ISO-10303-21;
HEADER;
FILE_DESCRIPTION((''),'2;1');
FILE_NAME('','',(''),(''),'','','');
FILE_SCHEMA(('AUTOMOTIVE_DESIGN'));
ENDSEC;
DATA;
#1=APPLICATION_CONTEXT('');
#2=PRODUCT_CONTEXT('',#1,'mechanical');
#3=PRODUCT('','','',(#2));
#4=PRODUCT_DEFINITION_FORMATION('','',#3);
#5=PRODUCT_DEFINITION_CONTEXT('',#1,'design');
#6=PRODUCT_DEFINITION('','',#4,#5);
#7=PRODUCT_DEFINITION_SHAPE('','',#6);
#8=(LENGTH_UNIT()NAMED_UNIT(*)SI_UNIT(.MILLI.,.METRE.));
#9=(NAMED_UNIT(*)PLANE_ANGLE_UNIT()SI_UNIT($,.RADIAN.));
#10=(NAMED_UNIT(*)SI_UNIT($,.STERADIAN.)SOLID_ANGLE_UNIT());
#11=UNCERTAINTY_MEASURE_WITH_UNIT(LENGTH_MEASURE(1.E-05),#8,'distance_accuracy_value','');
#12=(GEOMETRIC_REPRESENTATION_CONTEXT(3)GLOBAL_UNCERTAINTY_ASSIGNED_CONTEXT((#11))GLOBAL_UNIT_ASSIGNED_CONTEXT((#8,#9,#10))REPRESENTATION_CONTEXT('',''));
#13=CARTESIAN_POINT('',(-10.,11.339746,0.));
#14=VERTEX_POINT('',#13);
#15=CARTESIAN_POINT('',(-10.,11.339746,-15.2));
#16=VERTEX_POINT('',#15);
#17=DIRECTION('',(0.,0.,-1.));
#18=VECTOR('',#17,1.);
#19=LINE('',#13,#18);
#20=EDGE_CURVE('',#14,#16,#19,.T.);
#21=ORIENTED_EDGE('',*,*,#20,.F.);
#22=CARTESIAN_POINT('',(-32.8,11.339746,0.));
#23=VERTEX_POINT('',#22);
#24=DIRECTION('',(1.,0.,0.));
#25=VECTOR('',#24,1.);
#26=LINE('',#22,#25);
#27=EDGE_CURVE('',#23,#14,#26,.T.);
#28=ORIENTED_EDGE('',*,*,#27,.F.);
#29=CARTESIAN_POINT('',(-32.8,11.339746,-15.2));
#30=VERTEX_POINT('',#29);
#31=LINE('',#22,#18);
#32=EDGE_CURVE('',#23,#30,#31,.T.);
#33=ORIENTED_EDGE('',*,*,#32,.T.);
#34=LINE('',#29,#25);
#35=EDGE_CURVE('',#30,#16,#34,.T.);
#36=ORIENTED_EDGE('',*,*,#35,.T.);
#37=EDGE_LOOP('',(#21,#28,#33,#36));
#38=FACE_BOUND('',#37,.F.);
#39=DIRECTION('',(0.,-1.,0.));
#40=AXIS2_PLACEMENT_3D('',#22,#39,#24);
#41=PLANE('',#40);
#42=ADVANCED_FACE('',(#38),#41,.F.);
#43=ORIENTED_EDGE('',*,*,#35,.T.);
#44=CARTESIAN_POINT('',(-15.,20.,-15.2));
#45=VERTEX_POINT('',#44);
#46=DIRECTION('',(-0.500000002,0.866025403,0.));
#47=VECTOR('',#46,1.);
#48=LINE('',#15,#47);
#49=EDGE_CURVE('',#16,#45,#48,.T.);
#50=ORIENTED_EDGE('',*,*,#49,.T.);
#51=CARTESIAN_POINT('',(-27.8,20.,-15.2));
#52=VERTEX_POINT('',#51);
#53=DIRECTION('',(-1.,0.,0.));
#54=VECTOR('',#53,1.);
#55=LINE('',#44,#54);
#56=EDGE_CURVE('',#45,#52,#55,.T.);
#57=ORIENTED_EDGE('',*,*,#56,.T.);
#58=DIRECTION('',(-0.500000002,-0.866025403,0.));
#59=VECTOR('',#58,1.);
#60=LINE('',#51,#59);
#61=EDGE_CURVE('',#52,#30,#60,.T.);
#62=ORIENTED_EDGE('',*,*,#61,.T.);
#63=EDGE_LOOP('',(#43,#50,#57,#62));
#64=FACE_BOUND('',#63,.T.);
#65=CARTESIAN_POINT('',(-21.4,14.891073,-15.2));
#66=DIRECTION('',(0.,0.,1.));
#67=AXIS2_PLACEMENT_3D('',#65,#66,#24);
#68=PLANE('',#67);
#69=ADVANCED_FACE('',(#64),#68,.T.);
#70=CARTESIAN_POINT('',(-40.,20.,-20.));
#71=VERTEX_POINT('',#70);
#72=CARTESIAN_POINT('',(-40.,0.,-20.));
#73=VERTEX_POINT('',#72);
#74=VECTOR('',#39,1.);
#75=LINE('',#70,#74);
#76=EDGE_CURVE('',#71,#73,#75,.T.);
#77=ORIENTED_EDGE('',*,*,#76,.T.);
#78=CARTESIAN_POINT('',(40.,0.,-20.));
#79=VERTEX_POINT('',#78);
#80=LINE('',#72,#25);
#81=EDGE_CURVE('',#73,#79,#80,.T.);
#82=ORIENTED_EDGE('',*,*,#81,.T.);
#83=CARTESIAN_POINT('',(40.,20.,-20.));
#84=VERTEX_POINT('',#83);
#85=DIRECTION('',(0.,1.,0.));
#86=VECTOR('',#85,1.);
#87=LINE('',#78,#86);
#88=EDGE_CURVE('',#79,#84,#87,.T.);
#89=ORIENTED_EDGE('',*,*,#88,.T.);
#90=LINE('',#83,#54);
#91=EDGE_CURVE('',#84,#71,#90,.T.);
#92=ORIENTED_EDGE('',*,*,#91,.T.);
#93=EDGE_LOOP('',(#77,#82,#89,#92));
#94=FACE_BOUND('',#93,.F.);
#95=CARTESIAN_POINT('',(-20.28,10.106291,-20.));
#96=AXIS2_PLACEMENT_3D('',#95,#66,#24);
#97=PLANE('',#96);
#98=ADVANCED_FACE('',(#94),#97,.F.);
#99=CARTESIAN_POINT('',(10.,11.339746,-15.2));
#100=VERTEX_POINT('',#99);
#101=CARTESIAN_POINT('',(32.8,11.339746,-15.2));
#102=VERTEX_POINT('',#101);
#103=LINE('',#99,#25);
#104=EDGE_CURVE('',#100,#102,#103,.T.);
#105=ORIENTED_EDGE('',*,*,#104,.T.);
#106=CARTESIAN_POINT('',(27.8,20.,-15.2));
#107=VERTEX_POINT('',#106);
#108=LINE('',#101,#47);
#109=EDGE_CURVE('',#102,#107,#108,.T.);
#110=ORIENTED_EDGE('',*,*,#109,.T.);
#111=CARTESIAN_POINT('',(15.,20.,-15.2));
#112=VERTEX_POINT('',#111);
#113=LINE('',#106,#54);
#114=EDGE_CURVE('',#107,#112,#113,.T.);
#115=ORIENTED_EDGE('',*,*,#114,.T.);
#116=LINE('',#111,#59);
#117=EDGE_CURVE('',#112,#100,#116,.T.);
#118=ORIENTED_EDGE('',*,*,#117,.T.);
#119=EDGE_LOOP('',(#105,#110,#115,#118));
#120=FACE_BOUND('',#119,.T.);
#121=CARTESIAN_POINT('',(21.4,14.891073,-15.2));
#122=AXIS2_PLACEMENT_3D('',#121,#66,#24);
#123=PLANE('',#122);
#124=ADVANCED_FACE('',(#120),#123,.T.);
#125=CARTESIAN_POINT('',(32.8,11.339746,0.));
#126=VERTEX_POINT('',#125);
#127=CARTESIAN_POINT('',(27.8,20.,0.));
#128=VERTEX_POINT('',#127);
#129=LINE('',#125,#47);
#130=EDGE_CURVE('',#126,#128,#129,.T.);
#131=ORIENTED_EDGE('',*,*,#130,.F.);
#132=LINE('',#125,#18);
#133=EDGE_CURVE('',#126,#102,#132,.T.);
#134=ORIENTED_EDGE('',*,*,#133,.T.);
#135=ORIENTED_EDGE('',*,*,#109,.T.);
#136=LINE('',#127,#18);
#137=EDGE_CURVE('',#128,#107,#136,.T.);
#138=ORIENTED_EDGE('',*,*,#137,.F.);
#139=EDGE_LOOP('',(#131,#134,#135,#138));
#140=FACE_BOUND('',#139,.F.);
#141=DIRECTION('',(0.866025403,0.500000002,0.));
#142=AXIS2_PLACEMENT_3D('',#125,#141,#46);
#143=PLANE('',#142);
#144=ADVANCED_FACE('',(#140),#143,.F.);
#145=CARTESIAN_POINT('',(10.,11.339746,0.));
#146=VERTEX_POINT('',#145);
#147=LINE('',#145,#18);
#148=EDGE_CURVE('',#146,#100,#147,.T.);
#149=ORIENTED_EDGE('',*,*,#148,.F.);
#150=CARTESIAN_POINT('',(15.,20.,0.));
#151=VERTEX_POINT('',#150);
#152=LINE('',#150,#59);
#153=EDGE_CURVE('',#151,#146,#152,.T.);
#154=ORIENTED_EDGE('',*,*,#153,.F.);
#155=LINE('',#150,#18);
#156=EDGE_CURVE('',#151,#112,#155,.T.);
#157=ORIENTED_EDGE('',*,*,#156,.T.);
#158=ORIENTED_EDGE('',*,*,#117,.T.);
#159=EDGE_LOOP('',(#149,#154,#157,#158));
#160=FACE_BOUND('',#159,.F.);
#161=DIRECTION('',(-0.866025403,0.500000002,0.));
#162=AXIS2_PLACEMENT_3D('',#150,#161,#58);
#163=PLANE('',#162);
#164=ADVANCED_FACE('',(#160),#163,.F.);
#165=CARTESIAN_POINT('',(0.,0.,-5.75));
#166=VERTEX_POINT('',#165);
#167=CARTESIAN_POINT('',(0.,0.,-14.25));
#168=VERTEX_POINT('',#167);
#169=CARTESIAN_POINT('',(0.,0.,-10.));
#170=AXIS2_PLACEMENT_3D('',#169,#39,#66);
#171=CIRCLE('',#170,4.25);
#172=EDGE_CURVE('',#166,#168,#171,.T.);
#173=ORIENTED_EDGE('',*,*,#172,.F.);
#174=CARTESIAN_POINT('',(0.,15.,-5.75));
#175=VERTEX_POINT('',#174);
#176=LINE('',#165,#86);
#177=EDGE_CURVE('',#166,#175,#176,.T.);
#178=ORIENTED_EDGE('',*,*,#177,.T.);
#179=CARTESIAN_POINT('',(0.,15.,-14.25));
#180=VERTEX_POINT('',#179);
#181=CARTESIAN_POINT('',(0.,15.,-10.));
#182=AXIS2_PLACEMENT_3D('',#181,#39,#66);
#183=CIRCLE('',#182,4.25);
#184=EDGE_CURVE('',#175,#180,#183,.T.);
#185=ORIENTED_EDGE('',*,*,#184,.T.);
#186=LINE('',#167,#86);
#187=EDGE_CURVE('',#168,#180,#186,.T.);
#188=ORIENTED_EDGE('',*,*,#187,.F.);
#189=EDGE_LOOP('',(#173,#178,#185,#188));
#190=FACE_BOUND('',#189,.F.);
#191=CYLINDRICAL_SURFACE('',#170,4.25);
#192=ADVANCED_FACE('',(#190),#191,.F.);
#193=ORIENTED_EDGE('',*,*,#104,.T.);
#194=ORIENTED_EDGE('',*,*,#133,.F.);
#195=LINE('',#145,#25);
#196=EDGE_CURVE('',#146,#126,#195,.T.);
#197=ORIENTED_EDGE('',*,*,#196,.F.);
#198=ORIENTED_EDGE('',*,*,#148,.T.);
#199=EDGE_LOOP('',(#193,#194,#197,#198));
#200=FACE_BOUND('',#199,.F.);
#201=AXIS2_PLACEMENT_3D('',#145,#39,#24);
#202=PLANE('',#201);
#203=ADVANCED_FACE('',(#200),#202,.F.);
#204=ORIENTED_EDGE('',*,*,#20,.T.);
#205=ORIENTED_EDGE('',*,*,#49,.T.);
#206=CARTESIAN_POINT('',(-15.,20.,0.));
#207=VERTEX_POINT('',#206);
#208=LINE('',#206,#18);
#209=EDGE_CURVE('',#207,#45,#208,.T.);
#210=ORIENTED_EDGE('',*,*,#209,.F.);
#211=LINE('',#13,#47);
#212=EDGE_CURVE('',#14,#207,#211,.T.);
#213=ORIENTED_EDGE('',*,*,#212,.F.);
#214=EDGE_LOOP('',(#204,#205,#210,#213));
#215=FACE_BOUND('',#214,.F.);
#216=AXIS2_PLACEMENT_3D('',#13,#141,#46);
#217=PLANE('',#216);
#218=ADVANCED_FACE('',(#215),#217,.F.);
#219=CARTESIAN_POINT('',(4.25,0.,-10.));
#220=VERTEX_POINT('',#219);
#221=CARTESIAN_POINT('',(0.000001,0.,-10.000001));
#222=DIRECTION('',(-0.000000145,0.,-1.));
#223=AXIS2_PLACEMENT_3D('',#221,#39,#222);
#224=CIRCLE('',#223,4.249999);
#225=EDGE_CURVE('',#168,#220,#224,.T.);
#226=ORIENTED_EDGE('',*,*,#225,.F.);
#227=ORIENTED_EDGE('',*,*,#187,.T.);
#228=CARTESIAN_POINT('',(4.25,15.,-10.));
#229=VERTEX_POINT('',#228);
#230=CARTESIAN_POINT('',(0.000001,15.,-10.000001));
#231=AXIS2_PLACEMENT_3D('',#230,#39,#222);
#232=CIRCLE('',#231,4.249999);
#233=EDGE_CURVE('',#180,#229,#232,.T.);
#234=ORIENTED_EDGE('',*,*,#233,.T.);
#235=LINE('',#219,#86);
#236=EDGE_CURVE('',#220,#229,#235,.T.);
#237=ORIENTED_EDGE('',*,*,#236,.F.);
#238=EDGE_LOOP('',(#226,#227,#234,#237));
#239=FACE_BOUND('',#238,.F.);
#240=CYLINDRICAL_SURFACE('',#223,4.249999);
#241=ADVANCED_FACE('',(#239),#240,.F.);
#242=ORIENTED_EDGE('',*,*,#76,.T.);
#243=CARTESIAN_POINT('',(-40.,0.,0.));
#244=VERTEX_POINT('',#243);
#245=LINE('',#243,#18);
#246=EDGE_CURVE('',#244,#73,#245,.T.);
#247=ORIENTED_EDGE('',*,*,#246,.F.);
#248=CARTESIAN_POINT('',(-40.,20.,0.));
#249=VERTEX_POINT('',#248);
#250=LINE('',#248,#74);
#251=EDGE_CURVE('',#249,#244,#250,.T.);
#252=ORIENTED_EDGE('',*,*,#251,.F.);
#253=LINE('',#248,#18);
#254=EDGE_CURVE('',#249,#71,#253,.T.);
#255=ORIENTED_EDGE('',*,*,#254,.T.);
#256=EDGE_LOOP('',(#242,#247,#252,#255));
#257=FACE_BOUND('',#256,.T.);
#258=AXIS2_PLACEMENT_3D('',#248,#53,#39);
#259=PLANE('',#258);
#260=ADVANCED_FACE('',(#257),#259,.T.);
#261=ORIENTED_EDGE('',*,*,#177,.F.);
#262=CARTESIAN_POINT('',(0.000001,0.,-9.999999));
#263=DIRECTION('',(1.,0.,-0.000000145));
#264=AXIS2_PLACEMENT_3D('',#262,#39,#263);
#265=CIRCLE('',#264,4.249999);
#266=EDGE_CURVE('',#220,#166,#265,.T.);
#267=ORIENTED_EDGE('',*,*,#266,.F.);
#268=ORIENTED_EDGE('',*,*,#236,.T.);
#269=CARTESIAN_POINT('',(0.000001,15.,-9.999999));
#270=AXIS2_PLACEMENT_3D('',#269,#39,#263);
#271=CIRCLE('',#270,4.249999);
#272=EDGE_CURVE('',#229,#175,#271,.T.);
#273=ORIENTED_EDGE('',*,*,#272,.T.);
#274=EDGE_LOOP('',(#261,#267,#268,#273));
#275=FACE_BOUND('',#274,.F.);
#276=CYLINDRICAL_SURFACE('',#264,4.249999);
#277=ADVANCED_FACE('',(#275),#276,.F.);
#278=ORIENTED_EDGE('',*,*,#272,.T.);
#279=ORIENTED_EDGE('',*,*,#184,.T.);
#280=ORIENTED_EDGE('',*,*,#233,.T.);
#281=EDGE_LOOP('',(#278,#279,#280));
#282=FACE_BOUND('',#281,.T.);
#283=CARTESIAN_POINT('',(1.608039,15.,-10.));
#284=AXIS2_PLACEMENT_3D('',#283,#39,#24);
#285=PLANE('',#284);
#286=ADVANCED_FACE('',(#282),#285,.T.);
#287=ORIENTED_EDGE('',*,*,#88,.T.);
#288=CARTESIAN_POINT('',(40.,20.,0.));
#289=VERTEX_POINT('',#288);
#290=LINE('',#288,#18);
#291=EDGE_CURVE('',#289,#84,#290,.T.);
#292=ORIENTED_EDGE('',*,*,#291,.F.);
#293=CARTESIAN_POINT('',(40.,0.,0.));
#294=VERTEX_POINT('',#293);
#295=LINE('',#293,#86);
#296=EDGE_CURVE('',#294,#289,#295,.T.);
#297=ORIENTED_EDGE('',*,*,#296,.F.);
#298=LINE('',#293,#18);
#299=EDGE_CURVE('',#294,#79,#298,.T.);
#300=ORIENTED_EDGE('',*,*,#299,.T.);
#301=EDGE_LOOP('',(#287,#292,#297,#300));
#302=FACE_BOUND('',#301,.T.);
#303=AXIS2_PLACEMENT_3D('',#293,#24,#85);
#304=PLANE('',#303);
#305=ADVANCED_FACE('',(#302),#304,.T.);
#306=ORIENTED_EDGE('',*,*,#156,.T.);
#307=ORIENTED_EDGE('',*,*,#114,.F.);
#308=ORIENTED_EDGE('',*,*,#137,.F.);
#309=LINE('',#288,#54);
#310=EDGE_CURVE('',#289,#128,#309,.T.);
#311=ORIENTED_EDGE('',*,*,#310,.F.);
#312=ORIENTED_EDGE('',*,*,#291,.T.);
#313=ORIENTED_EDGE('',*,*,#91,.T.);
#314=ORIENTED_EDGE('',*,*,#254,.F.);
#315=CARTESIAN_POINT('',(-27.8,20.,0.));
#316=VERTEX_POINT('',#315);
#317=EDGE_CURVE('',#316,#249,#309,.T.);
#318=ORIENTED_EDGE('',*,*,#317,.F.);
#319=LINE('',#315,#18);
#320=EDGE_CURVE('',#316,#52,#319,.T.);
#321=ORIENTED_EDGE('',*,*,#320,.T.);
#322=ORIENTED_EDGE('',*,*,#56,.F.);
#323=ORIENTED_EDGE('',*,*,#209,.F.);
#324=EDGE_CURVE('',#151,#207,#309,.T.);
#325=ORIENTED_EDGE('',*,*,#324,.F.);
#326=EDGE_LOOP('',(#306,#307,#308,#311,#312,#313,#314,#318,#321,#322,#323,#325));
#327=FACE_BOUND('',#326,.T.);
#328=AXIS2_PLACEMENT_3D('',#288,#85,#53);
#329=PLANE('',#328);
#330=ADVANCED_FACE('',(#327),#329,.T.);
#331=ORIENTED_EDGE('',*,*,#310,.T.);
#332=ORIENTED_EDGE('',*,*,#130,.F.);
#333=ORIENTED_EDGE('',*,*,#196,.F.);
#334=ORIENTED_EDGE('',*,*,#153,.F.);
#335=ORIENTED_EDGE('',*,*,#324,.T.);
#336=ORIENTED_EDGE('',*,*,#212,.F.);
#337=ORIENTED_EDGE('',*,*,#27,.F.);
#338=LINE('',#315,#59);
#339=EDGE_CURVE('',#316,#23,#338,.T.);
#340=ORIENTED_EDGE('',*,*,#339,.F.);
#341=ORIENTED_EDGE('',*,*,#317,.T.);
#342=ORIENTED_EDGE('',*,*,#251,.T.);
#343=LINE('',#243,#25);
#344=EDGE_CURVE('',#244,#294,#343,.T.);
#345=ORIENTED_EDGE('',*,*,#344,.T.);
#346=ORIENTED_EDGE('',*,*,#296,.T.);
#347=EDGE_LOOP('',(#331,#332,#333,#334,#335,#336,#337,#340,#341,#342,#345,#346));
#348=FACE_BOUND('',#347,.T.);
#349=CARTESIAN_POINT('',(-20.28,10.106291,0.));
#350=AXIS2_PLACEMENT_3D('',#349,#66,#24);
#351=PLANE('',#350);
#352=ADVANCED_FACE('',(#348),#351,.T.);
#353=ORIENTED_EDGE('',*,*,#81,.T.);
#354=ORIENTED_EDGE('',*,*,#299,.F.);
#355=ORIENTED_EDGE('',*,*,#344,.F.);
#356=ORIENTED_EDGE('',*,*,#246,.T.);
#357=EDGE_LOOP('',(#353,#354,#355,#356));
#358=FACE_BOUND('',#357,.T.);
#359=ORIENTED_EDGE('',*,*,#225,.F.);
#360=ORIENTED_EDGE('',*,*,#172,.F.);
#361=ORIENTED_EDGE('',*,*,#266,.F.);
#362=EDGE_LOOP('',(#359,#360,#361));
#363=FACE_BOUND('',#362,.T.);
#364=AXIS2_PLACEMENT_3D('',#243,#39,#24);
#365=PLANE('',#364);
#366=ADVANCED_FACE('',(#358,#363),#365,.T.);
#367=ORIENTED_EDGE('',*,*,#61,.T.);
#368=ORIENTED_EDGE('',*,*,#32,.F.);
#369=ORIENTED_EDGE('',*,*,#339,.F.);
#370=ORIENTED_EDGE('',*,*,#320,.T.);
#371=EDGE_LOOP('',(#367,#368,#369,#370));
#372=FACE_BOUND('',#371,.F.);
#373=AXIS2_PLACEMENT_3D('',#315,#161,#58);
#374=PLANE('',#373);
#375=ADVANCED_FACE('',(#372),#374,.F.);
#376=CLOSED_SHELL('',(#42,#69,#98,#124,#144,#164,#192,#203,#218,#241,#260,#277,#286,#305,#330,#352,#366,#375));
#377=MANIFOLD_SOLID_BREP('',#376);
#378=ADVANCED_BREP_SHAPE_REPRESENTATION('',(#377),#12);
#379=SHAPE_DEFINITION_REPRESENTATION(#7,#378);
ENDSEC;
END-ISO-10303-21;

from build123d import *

# Parameters (mm, degrees)
F1_DEPTH = 20
F2_DEPTH = 15.2
F4_DEPTH = 15


with BuildPart() as f1:
    # F0 (on Top) → F1 (new body)
    with BuildSketch(Plane.XY):
        Polygon((-40, 0), (0, 0), (0, 20), (-15, 20), (-10, 11.339746), (-32.8, 11.339746), (-27.8, 20), (-40, 20), align=None)
        Polygon((0, 20), (0, 0), (40, 0), (40, 20), (27.8, 20), (32.8, 11.339746), (10, 11.339746), (15, 20), align=None)
        Polygon((-10, 11.339746), (-15, 20), (-27.8, 20), (-32.8, 11.339746), align=None)
        Polygon((27.8, 20), (15, 20), (10, 11.339746), (32.8, 11.339746), align=None)
    extrude(amount=-F1_DEPTH)

    # F0 (on Top) → F2 (cut)
    with BuildSketch(Plane.XY):
        Polygon((-10, 11.339746), (-15, 20), (-27.8, 20), (-32.8, 11.339746), align=None)
        Polygon((27.8, 20), (15, 20), (10, 11.339746), (32.8, 11.339746), align=None)
    extrude(amount=-F2_DEPTH, mode=Mode.SUBTRACT)

    # F3 (on face) → F4 (cut)
    with BuildSketch(Plane.XZ):
        with BuildLine():
            ThreePointArc((4.25, -10), (3.005204, -6.994796), (0, -5.75))
            Line((0, -5.75), (0, -10))
            Line((0, -10), (0, -14.25))
            ThreePointArc((0, -14.25), (3.005204, -13.005204), (4.25, -10))
        make_face()
        with BuildLine():
            Line((0, -10), (0, -5.75))
            ThreePointArc((0, -5.75), (-4.25, -10), (0, -14.25))
            Line((0, -14.25), (0, -10))
        make_face()
    extrude(amount=-F4_DEPTH, mode=Mode.SUBTRACT)


solid = f1.part
